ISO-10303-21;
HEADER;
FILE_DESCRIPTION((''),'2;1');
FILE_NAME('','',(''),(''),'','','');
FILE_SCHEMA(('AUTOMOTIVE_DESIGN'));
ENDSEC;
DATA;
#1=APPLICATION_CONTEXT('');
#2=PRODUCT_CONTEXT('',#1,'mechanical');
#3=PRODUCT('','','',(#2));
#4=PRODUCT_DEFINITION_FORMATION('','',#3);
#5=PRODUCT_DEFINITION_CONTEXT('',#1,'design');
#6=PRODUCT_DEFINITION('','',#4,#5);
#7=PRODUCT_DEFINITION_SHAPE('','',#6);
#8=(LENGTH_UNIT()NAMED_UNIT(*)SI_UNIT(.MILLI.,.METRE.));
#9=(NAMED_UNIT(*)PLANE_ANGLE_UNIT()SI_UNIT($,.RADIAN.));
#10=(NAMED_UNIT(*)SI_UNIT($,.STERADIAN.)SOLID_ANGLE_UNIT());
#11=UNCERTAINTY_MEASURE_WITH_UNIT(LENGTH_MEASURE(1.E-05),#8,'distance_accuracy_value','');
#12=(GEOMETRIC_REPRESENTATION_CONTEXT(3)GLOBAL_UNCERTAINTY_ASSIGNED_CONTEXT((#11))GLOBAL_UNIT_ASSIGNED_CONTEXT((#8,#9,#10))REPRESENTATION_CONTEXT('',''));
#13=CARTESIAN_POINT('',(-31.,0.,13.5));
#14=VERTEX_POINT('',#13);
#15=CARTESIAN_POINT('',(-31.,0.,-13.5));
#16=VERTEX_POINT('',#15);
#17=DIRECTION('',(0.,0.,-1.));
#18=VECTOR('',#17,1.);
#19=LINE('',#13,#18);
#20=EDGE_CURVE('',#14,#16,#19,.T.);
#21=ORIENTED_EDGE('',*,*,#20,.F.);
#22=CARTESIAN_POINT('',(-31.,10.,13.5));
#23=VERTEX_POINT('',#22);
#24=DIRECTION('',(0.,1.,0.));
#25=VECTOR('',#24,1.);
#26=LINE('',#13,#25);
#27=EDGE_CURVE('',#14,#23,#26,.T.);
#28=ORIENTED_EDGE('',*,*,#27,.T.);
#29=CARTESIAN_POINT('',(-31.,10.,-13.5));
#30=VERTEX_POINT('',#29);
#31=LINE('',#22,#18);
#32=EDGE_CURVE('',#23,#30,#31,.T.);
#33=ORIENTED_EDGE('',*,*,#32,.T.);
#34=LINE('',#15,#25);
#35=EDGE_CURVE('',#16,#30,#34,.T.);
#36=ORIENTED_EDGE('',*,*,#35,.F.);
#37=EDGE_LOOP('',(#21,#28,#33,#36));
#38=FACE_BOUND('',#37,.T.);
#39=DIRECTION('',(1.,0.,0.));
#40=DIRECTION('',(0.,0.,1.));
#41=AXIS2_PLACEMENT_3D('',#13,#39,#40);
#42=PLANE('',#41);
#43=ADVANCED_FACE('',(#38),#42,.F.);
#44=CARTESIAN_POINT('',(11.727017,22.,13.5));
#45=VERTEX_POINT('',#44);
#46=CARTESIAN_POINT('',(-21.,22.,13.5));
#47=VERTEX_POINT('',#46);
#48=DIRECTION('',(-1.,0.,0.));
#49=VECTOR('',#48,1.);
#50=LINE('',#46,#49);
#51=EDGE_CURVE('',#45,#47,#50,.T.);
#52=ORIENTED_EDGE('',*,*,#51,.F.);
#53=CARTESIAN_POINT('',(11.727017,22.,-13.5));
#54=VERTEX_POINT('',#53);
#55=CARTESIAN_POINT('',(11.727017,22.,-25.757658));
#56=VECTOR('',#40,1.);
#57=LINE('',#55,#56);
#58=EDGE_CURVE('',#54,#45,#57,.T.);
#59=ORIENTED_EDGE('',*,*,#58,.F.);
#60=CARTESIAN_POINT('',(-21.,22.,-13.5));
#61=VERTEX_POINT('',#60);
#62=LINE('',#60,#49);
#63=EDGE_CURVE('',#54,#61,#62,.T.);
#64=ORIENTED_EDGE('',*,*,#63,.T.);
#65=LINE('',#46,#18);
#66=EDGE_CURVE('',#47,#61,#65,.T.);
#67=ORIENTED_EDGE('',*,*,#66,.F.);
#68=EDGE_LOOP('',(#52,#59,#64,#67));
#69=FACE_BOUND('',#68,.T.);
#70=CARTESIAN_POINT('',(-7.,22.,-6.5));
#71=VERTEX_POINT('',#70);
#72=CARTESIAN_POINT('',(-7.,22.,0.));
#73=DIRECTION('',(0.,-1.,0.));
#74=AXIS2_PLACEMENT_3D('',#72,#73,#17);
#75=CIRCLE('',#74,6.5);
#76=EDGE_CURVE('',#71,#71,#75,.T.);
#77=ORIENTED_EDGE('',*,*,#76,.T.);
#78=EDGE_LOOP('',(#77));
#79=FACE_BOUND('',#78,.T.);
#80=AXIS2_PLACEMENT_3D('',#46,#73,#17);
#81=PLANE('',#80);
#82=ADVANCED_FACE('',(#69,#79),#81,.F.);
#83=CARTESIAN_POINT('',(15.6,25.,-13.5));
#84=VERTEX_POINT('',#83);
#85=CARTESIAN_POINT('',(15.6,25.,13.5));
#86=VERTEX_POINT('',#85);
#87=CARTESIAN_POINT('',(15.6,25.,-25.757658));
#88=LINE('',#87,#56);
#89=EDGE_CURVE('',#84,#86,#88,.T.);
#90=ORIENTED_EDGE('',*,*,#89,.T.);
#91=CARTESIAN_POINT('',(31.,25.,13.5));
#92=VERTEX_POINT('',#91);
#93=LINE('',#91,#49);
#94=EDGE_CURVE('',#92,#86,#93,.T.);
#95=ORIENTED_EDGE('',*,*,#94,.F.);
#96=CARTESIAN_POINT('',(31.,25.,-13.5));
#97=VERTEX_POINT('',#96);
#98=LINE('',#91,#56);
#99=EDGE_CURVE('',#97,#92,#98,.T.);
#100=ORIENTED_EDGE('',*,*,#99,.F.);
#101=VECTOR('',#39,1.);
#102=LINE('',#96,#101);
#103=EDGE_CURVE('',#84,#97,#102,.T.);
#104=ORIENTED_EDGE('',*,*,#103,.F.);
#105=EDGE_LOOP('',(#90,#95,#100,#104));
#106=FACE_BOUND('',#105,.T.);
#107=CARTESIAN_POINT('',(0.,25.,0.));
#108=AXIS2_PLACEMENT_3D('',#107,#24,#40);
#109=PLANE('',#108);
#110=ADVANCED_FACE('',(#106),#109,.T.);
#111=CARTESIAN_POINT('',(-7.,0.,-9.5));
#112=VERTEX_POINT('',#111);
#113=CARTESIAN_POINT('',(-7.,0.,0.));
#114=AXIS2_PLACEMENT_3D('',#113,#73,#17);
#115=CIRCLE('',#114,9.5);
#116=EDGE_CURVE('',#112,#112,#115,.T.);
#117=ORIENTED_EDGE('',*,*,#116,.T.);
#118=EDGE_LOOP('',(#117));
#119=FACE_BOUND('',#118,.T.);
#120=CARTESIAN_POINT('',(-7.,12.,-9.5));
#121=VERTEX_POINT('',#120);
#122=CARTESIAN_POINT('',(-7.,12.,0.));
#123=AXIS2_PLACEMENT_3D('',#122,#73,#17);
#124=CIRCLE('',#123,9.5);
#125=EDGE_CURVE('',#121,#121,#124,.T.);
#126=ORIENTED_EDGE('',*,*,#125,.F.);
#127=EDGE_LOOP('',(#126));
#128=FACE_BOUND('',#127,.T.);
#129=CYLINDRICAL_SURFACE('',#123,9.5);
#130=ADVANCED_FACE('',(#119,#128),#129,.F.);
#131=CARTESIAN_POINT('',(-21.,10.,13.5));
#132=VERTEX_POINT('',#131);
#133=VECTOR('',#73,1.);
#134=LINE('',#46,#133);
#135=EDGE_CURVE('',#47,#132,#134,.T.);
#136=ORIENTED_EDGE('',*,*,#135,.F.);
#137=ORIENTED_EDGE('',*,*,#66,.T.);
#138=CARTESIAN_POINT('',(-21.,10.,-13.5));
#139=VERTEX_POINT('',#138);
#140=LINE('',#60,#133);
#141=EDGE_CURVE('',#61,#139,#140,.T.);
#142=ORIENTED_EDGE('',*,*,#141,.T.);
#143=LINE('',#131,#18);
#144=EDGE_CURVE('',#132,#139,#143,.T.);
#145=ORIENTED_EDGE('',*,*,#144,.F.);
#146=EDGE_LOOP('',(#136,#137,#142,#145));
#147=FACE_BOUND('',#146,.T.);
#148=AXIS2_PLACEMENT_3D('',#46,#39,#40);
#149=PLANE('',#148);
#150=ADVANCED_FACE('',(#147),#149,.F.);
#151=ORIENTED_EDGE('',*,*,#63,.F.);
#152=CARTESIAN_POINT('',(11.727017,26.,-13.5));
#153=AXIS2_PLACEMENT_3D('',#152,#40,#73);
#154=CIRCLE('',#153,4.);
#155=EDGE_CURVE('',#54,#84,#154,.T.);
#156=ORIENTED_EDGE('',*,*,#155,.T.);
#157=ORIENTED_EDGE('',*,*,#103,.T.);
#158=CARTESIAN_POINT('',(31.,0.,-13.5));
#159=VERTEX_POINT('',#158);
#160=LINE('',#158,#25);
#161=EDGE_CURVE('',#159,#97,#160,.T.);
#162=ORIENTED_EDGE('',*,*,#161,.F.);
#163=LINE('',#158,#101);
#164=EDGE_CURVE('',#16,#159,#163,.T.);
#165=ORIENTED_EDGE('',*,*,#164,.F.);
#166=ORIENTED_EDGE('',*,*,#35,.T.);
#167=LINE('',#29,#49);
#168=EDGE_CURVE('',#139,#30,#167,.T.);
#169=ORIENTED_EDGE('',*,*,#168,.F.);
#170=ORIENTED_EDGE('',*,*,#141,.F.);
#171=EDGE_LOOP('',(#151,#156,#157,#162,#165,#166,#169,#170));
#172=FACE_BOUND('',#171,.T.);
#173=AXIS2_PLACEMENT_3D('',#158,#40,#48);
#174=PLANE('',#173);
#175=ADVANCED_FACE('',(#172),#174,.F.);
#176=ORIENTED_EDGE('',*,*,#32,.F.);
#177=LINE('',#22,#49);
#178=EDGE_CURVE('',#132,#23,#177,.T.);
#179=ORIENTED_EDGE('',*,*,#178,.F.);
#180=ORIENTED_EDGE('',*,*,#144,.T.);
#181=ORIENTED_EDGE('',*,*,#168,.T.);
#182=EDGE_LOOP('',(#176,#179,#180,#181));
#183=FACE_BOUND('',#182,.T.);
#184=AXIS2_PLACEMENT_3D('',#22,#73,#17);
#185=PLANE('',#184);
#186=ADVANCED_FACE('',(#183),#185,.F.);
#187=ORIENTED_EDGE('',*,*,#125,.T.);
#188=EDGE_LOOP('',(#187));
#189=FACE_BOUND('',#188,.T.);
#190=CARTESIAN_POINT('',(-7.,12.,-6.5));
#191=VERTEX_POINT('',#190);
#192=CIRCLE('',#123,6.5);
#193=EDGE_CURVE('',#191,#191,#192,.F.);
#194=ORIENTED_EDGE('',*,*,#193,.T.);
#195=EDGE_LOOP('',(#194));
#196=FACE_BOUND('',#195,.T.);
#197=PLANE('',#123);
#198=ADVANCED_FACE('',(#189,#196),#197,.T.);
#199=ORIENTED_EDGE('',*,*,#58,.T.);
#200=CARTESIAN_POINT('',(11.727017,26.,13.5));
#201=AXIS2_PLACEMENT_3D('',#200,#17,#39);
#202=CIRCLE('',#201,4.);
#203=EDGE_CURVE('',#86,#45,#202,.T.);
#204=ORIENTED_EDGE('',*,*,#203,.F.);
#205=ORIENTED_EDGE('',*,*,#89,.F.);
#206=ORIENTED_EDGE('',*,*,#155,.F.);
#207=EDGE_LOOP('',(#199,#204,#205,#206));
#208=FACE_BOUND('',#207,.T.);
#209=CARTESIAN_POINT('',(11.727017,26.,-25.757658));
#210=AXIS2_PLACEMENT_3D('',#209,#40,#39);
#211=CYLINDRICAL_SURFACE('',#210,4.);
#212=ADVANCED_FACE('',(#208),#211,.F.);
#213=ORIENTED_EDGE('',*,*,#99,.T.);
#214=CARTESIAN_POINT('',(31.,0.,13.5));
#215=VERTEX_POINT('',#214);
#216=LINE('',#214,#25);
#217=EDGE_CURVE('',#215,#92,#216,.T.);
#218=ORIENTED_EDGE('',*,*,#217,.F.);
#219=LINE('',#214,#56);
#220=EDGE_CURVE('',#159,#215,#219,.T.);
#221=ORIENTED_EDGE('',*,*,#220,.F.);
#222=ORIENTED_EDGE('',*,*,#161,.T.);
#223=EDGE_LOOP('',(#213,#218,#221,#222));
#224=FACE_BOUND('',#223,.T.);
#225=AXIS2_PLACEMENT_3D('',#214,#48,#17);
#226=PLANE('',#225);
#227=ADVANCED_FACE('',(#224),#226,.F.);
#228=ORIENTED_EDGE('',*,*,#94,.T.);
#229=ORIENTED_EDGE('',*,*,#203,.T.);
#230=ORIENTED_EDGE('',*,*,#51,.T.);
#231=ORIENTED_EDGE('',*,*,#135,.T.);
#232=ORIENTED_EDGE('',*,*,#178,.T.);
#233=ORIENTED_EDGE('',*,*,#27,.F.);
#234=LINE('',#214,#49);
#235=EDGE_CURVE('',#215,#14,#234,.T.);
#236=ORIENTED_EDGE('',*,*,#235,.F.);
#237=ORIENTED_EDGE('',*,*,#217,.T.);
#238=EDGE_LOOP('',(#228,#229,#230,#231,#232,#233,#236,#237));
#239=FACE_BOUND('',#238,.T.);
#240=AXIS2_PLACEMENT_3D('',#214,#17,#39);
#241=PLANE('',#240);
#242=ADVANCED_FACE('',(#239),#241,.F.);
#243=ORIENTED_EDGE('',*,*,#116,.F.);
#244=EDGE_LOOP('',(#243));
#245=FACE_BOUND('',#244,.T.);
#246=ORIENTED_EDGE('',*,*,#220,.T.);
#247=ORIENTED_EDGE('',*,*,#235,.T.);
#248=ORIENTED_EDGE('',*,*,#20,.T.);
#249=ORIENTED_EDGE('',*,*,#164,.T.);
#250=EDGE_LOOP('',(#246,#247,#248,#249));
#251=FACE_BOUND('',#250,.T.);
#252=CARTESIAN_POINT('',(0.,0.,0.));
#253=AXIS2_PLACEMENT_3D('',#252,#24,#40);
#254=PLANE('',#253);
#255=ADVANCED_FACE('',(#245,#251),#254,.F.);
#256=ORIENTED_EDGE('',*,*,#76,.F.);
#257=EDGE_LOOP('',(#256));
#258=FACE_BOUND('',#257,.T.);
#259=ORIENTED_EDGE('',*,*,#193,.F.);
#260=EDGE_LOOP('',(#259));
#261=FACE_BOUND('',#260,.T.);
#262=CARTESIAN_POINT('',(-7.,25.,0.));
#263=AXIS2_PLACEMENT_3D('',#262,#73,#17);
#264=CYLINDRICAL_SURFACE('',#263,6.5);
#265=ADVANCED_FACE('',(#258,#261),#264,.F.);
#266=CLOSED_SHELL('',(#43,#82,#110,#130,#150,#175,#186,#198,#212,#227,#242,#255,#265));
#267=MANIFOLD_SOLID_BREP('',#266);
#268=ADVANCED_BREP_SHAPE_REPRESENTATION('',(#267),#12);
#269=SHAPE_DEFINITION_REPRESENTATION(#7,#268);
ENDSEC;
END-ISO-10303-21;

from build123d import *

# Parameters (mm, degrees)
SKETCH2_W             = 62
SKETCH2_H             = 27
BOSS_EXTRUDE1_DEPTH   = 25
CUT_EXTRUDE1_DEPTH    = 28
SKETCH4_R             = 6.5
CUT_EXTRUDE2_DEPTH    = 26
BODY_MOVE_COPY1_ANGLE = 180
BOSS_EXTRUDE2_DEPTH   = 27
SKETCH6_R             = 9.5
CUT_EXTRUDE3_DEPTH    = 12


with BuildPart() as part:
    # Sketch2 → Boss-Extrude1 (new body)
    with BuildSketch(Plane(origin=(0, 0, 0), x_dir=(1, 0, 0), z_dir=(0, 1, 0))):
        Rectangle(SKETCH2_W, SKETCH2_H)
    extrude(amount=BOSS_EXTRUDE1_DEPTH)

    # Sketch3 → Cut-Extrude1 (cut, through all)
    with BuildSketch(Plane.XY.offset(13.5)):
        Polygon((-31, 0), (23.611888282, 0), (23.611888282, 3), (-21, 3), (-21, 15), (-31, 15), align=None)
    extrude(amount=-CUT_EXTRUDE1_DEPTH, mode=Mode.SUBTRACT)

    # Sketch4 → Cut-Extrude2 (cut, through all)
    with BuildSketch(Plane(origin=(0, 25, 0), x_dir=(1, 0, 0), z_dir=(0, 1, 0))):
        with Locations((-7, 0)):
            Circle(SKETCH4_R)
    extrude(amount=-CUT_EXTRUDE2_DEPTH, mode=Mode.SUBTRACT)


with BuildPart() as part_1:
    # Body-Move/Copy1: moved
    add(part.part.rotate(Axis((0, 12.5, 0), (1, 0, 0)), BODY_MOVE_COPY1_ANGLE))

    # Sketch5 → Boss-Extrude2 (add)
    with BuildSketch(Plane.XY.offset(13.5)):
        with BuildLine():
            Line((23.611888282, 25), (15.6, 25))
            ThreePointArc((15.6, 25), (14.176506397, 22.83772234), (11.727016654, 22))
            Line((11.727016654, 22), (23.611888282, 22))
            Line((23.611888282, 22), (23.611888282, 25))
        make_face()
    extrude(amount=-BOSS_EXTRUDE2_DEPTH)

    # Sketch6 → Cut-Extrude3 (cut)
    with BuildSketch(Plane.XZ):
        with Locations((-7, 0)):
            Circle(SKETCH6_R)
    extrude(amount=-CUT_EXTRUDE3_DEPTH, mode=Mode.SUBTRACT)


solid = part_1.part
